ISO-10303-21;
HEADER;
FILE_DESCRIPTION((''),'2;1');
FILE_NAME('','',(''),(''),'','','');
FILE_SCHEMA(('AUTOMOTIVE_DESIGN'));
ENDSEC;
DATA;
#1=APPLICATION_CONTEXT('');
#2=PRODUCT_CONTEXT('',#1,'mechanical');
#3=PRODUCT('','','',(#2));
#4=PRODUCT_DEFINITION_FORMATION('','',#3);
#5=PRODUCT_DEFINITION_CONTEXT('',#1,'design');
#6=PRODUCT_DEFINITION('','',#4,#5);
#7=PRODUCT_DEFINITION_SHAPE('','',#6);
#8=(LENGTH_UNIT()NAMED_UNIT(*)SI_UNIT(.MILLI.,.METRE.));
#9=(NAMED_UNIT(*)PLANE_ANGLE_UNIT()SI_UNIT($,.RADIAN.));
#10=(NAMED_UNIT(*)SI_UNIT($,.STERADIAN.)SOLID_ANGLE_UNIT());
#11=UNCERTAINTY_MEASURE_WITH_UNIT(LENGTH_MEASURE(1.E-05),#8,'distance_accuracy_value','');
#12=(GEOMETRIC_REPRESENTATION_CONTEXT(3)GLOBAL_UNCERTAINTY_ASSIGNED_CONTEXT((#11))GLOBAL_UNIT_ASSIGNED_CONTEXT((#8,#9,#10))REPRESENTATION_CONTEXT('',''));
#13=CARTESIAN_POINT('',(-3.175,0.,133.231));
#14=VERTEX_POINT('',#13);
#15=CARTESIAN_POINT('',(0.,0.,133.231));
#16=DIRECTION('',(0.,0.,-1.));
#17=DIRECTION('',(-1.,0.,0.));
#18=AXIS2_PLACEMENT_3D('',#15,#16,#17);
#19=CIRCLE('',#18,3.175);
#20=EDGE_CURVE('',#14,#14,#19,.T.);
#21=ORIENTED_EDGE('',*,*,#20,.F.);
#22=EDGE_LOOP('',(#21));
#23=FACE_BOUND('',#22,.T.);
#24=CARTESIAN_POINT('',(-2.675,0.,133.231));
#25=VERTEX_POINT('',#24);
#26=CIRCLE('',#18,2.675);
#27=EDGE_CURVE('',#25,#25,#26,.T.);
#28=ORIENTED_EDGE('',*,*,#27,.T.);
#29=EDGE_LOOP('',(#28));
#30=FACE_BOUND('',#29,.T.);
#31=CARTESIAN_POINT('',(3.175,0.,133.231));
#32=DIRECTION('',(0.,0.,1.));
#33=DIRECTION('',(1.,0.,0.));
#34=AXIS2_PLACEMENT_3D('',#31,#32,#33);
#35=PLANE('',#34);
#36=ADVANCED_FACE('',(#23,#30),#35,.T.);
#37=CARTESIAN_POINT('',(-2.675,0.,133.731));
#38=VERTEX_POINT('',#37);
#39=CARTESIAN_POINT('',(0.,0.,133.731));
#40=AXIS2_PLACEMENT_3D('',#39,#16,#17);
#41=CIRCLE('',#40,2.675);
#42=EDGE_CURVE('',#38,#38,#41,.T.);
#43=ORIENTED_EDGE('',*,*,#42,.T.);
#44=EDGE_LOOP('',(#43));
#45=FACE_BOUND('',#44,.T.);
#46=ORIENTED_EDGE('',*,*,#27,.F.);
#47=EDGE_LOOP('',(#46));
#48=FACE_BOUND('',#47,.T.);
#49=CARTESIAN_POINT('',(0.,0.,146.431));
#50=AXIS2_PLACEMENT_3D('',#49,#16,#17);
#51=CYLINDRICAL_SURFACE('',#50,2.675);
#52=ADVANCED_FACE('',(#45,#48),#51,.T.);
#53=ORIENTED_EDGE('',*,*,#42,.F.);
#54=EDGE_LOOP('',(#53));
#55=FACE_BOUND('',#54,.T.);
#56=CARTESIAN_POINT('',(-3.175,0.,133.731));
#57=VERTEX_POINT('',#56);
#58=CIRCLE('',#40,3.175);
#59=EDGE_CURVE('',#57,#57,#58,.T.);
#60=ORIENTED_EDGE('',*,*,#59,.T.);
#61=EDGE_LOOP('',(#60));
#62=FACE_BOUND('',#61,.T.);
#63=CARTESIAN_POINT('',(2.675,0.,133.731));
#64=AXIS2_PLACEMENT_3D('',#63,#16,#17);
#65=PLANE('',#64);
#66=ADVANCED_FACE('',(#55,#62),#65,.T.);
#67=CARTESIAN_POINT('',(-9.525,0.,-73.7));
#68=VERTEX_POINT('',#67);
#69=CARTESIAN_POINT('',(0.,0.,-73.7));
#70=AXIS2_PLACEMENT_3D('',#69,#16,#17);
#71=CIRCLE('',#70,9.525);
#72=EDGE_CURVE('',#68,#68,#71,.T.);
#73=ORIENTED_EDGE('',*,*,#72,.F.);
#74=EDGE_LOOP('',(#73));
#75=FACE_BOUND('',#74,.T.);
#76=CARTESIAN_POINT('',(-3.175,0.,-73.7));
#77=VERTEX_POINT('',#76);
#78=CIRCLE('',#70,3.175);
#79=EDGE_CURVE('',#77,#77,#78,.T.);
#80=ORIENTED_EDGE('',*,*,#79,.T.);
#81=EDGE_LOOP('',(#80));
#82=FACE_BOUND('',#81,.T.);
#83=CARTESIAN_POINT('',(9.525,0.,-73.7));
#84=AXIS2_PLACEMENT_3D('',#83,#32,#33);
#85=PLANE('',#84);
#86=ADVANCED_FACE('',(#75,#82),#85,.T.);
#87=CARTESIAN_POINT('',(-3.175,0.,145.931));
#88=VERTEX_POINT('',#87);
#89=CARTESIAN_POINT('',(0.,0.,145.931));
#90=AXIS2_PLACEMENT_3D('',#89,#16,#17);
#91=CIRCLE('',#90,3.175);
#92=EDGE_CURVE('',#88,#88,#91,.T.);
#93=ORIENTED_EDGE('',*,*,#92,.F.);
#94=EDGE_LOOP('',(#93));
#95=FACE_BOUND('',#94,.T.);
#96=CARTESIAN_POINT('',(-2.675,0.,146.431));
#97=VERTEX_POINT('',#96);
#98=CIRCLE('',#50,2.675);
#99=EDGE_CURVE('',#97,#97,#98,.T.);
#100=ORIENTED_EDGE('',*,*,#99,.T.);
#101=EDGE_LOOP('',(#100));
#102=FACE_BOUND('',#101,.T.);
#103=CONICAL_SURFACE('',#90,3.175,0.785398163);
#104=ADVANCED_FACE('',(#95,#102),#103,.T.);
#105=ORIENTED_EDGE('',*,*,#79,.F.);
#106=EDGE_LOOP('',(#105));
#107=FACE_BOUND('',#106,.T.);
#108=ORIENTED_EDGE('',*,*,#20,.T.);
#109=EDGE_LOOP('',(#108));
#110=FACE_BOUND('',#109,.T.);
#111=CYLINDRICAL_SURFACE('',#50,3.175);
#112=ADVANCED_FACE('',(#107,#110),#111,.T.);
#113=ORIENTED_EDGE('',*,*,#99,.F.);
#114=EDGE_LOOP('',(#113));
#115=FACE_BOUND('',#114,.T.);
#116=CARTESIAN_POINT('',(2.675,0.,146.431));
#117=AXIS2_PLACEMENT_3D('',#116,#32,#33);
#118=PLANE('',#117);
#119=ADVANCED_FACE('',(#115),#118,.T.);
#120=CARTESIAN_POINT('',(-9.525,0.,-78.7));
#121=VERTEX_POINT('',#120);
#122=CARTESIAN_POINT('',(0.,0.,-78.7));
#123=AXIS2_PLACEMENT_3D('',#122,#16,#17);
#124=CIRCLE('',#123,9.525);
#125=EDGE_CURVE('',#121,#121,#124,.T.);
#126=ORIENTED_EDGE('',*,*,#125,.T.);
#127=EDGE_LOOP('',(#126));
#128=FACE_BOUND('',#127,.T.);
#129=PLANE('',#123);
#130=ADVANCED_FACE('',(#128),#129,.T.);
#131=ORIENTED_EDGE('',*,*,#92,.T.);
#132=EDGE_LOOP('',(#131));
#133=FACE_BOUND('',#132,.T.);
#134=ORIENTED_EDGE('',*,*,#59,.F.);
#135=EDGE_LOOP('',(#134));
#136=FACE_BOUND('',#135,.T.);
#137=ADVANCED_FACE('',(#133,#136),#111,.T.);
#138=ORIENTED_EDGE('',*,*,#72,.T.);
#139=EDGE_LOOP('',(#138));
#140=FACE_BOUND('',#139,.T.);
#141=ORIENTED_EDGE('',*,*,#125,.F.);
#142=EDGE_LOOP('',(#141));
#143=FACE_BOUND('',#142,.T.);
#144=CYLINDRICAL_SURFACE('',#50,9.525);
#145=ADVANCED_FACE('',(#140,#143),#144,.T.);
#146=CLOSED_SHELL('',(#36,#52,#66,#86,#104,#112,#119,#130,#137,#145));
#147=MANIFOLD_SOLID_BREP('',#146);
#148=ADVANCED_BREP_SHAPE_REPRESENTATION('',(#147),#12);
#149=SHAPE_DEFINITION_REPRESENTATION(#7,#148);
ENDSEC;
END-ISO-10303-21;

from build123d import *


with BuildPart() as part:
    # Sketch1 → Revolve1 (revolve)
    with BuildSketch(Plane.XZ):
        Polygon((2.675, 146.431), (0, 146.431), (0, -78.7), (9.525, -78.7), (9.525, -73.7), (3.175, -73.7), (3.175, 133.231), (2.675, 133.231), (2.675, 133.731), (3.175, 133.731), (3.175, 145.931), align=None)
    revolve(axis=Axis((0, 0, 146.431), (0, 0, -1)))


solid = part.part
